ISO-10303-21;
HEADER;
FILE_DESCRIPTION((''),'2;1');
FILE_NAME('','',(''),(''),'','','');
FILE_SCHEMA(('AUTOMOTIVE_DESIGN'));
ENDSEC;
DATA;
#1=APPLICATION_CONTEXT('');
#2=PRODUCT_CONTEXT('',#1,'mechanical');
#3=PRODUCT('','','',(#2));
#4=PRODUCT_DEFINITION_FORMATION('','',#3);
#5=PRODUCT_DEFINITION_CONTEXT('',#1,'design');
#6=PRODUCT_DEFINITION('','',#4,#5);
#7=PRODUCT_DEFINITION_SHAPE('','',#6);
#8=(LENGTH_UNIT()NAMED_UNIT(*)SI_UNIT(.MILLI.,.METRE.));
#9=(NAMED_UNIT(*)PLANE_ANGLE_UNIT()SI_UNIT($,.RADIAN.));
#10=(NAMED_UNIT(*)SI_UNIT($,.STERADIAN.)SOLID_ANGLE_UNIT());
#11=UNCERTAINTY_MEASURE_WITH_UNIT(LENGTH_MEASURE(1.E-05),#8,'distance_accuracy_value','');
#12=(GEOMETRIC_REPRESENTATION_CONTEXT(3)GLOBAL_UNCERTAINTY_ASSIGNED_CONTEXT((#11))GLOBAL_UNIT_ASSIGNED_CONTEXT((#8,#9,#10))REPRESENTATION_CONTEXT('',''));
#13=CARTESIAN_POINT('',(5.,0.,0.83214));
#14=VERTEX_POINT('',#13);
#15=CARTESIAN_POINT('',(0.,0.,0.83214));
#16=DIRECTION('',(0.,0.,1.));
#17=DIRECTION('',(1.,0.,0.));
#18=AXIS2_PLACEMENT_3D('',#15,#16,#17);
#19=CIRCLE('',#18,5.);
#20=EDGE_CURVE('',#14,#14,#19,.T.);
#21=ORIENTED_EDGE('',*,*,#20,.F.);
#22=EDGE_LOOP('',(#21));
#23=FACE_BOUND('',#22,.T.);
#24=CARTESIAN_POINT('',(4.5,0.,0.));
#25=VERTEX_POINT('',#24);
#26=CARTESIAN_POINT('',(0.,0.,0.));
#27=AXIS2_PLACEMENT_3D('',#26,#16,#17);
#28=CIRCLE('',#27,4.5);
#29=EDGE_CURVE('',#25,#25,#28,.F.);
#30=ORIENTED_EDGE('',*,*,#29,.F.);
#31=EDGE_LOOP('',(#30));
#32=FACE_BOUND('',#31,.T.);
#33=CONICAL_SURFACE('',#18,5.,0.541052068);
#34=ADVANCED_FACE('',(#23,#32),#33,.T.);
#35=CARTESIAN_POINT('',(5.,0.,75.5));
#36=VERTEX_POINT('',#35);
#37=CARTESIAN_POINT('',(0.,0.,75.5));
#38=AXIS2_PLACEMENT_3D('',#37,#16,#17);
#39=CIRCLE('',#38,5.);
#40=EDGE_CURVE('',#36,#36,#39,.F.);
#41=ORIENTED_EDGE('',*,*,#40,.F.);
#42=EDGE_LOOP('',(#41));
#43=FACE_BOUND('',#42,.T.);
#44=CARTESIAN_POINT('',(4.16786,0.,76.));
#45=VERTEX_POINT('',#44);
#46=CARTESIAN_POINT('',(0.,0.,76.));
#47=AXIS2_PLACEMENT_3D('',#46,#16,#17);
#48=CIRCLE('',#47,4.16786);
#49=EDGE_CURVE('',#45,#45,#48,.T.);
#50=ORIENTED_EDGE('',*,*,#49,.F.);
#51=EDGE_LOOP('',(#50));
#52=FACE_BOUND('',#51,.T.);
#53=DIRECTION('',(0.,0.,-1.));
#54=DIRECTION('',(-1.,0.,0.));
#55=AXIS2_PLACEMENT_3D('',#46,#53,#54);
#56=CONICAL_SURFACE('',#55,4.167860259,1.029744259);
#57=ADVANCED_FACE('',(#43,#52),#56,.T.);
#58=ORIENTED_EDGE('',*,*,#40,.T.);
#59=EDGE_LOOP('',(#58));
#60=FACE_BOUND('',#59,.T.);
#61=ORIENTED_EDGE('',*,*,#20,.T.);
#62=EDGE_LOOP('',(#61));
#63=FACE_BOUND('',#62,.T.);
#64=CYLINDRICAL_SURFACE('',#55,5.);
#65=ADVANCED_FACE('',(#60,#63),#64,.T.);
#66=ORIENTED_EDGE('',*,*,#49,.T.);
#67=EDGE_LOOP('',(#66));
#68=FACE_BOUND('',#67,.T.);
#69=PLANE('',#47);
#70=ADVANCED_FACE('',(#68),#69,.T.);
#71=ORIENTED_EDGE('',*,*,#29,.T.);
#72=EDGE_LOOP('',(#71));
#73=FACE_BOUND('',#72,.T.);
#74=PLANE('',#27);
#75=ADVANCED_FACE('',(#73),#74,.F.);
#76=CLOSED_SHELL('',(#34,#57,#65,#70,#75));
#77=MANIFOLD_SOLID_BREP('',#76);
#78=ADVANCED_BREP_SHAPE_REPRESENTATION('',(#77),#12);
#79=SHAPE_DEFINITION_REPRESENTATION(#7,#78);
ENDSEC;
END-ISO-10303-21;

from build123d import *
from OCP.BRepFilletAPI import BRepFilletAPI_MakeChamfer

# Parameters (mm, degrees)
SCHIZZO1_R                   = 5
ESTRUSIONE_ESTRUSIONE1_DEPTH = 76
SMUSSO1_SIZE                 = 0.5
SMUSSO1_SIZE2                = 0.832139741


with BuildPart() as part:
    # Schizzo1 → Estrusione-Estrusione1 (new body)
    with BuildSketch(Plane.XY):
        Circle(SCHIZZO1_R)
    extrude(amount=ESTRUSIONE_ESTRUSIONE1_DEPTH)

    # Smusso1: one chamfer whose edges measure the first distance from different faces: ONE call of the kernel's chamfer builder (chamfer() names one face for all edges)
    smusso1_edges_1 = [part.edges().sort_by_distance(p)[0] for p in [
        (-5, 0, 0),
    ]]
    smusso1_side_1 = [part.faces().sort_by_distance(p)[0] for p in [
        (0, 0, 0),
    ]]
    smusso1_edges_2 = [part.edges().sort_by_distance(p)[0] for p in [
        (-5, 0, 76),
    ]]
    smusso1_side_2 = [part.faces().sort_by_distance(p)[0] for p in [
        (-5, 0, 38),
    ]]
    smusso1 = BRepFilletAPI_MakeChamfer(part.part.solid().wrapped)
    for e in smusso1_edges_1:
        smusso1.Add(SMUSSO1_SIZE, SMUSSO1_SIZE2, e.wrapped, smusso1_side_1[0].wrapped)  # the first distance lies on this face
    for e in smusso1_edges_2:
        smusso1.Add(SMUSSO1_SIZE, SMUSSO1_SIZE2, e.wrapped, smusso1_side_2[0].wrapped)  # the first distance lies on this face
    add(Compound.cast(smusso1.Shape()), mode=Mode.REPLACE)


solid = part.part
